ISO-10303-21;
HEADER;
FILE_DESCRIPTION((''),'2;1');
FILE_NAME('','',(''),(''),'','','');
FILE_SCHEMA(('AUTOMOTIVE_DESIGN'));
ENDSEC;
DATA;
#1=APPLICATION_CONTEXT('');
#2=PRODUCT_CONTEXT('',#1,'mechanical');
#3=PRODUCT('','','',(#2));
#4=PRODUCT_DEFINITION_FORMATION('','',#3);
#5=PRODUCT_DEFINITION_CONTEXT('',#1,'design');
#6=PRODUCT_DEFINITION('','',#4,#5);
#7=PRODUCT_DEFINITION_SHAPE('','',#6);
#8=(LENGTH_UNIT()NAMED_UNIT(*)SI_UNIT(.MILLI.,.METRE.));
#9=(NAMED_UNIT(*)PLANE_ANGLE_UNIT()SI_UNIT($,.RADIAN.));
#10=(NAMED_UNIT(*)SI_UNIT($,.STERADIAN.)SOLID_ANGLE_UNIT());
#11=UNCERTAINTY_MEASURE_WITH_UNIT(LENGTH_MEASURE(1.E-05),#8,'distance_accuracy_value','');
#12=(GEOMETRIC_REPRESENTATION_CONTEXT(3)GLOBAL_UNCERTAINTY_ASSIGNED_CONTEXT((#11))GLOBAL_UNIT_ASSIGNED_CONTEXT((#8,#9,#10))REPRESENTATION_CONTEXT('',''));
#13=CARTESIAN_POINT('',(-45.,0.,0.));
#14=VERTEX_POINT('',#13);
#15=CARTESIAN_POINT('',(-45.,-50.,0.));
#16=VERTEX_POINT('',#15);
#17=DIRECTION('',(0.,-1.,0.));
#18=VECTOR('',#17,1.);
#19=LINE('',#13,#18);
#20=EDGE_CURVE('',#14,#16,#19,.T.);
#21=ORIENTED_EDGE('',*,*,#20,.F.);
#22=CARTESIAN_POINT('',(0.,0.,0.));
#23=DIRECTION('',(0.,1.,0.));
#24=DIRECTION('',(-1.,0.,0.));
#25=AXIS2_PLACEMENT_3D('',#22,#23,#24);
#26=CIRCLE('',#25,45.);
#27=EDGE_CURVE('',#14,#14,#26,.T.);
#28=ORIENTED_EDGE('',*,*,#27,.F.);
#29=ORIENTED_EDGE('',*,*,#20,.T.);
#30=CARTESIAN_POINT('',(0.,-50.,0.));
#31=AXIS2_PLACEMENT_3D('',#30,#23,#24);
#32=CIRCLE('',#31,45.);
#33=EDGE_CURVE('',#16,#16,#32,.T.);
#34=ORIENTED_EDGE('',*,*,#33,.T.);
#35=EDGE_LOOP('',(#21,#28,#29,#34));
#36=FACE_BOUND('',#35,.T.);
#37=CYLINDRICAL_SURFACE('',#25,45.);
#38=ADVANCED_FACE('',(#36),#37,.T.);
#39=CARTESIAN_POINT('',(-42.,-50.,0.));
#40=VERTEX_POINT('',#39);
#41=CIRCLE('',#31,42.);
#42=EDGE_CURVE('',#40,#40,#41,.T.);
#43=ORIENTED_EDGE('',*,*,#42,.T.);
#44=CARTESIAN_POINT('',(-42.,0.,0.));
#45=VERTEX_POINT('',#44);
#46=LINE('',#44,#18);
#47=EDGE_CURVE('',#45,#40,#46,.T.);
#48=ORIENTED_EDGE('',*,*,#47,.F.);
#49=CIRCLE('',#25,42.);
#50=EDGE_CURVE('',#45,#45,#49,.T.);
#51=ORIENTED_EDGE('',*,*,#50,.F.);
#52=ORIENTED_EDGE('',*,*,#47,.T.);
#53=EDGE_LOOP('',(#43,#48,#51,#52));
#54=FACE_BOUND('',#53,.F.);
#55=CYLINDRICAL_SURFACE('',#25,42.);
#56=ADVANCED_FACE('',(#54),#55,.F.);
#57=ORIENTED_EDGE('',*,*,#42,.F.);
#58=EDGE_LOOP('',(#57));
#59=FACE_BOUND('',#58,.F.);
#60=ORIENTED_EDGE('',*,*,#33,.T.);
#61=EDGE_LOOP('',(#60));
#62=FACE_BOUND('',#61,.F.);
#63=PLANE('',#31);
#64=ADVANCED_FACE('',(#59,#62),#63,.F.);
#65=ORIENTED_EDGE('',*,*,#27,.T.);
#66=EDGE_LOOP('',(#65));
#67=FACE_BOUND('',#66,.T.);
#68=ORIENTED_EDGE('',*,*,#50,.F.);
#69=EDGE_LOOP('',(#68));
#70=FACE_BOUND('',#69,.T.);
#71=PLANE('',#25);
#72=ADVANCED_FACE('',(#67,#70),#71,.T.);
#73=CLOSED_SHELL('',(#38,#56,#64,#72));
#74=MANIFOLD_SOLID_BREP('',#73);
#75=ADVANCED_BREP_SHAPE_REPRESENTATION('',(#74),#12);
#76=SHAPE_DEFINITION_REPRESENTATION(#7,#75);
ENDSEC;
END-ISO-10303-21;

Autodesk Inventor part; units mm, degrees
ref_plane "YZ Plane" through (0, 0, 0) normal (1, 0, 0) x (0, 1, 0)
ref_plane "XZ Plane" through (0, 0, 0) normal (0, 1, 0) x (-1, 0, 0)
ref_plane "XY Plane" through (0, 0, 0) normal (0, 0, 1) x (1, 0, 0)
sketch "Sketch1" plane through (0, 0, 0) normal (0, 1, 0) x (-1, 0, 0)
  circle A0 centre (0, 0) radius 45
  circle A1 centre (0, 0) radius 42
  dimension "d0" = 90
  dimension "d1" = 3
extrude "Extrusion1" add sketch "Sketch1" against normal blind 50
properties part number "PNS 1612 FDS tube 2_1200"
